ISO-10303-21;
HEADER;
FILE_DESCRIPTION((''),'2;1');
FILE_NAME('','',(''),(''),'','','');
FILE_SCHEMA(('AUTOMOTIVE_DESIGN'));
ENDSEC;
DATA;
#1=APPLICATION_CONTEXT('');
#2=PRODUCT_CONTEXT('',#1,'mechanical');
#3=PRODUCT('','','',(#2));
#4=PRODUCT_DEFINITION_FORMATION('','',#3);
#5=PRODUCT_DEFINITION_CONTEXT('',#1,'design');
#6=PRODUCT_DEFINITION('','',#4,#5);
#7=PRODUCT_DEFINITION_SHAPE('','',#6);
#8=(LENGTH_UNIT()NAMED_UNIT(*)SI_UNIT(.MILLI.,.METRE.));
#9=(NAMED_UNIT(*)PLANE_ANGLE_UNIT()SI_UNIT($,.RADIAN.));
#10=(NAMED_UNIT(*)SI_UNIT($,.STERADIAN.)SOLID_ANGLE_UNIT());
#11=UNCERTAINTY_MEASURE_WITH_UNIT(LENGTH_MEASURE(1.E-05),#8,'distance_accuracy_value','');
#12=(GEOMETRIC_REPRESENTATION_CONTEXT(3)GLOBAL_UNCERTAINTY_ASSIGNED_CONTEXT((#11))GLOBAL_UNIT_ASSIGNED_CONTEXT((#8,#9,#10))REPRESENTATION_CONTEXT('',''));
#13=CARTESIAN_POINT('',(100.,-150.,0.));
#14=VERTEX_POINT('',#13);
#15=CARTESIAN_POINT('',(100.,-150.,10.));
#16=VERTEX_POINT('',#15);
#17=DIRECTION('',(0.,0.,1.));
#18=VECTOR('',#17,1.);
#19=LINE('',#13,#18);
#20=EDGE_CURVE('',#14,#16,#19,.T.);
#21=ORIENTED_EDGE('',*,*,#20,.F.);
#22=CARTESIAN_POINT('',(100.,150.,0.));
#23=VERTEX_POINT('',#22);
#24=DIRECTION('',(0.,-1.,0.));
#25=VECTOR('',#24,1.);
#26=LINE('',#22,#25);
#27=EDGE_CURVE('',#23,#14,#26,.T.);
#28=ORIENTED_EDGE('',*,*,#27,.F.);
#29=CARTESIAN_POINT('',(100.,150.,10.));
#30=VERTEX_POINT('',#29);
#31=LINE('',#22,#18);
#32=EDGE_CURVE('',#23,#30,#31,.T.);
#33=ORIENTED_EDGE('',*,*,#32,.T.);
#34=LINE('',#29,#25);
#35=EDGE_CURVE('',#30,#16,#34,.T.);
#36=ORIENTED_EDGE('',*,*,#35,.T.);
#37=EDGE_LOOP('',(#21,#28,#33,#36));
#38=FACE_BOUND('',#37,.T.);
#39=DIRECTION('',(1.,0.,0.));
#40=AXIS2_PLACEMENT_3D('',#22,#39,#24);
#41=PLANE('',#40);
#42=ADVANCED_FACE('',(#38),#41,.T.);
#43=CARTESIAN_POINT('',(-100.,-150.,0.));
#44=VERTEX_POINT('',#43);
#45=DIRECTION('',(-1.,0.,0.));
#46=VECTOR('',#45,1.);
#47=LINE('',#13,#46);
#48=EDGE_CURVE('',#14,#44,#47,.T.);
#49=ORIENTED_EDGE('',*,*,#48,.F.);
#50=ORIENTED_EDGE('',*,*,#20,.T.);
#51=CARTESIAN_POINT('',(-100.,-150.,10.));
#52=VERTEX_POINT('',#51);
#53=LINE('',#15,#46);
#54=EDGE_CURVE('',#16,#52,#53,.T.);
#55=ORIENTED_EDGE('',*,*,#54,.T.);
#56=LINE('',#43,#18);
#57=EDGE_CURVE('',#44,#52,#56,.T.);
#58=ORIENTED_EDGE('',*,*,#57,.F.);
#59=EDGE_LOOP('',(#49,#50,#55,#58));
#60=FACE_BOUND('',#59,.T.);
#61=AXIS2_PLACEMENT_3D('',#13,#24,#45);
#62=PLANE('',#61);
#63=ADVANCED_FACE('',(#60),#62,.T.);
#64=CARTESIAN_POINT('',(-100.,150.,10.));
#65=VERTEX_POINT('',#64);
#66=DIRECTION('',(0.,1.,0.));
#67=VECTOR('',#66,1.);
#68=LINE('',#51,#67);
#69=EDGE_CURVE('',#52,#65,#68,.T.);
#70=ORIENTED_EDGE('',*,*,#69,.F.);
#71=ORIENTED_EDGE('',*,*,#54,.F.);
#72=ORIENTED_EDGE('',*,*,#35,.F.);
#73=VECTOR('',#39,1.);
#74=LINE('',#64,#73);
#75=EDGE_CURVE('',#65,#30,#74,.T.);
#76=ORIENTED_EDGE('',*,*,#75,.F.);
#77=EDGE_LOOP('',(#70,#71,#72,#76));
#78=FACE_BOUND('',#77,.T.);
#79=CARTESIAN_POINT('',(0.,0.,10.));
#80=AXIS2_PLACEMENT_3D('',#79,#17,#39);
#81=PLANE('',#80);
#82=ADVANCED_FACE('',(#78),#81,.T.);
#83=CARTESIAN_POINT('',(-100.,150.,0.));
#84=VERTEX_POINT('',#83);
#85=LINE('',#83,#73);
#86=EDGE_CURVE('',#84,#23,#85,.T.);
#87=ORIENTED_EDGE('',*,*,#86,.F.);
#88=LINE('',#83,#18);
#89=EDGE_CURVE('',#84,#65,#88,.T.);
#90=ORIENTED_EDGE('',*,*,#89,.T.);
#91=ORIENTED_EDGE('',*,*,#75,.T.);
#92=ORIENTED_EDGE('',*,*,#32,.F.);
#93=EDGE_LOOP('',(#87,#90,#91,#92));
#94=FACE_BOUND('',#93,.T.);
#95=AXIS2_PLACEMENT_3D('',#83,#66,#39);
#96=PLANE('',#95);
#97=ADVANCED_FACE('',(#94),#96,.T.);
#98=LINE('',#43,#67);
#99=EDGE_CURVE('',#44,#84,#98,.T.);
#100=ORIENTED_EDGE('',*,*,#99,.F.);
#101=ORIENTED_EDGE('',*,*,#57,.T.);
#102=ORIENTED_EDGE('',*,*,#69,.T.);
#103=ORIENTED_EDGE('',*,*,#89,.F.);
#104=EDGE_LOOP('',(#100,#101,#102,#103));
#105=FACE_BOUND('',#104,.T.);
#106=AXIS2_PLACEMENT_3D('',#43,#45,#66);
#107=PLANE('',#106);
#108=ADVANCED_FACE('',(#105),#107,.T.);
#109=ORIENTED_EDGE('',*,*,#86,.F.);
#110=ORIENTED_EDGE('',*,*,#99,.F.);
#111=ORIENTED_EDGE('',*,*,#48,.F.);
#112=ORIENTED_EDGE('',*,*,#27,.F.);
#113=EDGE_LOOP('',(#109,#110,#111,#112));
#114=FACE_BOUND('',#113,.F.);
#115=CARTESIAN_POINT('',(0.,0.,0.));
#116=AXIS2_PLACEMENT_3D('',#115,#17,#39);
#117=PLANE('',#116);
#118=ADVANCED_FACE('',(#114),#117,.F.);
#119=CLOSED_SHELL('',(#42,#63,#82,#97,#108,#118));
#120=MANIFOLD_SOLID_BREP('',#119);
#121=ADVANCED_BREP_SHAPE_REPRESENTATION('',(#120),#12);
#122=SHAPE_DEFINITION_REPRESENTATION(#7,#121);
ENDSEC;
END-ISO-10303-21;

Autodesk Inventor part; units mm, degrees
ref_plane "YZ Plane" through (0, 0, 0) normal (1, 0, 0) x (0, 1, 0)
ref_plane "XZ Plane" through (0, 0, 0) normal (0, 1, 0) x (-1, 0, 0)
ref_plane "XY Plane" through (0, 0, 0) normal (0, 0, 1) x (1, 0, 0)
sketch "Эскиз1" plane through (0, 0, 0) normal (0, 0, 1) x (1, 0, 0)
  line L0 (-100, 150) -> (100, 150)
  line L1 (100, 150) -> (100, -150)
  line L2 (100, -150) -> (-100, -150)
  line L3 (-100, -150) -> (-100, 150)
  line L4 (-100, 150) -> (100, -150) construction
  line L5 (100, 150) -> (-100, -150) construction
  point P0 (0, 0)
  dimension "d0" = 200
  dimension "d1" = 300
extrude "Выдавливание1" add sketch "Эскиз1" along normal blind 10
sketch "Эскиз2" plane through (0, 0, 0) normal (0, 0, -1) x (-1, 0, 0)
  circle A0 centre (0, 0) radius 170
  dimension "d4" = 340
properties part number "Основание"
